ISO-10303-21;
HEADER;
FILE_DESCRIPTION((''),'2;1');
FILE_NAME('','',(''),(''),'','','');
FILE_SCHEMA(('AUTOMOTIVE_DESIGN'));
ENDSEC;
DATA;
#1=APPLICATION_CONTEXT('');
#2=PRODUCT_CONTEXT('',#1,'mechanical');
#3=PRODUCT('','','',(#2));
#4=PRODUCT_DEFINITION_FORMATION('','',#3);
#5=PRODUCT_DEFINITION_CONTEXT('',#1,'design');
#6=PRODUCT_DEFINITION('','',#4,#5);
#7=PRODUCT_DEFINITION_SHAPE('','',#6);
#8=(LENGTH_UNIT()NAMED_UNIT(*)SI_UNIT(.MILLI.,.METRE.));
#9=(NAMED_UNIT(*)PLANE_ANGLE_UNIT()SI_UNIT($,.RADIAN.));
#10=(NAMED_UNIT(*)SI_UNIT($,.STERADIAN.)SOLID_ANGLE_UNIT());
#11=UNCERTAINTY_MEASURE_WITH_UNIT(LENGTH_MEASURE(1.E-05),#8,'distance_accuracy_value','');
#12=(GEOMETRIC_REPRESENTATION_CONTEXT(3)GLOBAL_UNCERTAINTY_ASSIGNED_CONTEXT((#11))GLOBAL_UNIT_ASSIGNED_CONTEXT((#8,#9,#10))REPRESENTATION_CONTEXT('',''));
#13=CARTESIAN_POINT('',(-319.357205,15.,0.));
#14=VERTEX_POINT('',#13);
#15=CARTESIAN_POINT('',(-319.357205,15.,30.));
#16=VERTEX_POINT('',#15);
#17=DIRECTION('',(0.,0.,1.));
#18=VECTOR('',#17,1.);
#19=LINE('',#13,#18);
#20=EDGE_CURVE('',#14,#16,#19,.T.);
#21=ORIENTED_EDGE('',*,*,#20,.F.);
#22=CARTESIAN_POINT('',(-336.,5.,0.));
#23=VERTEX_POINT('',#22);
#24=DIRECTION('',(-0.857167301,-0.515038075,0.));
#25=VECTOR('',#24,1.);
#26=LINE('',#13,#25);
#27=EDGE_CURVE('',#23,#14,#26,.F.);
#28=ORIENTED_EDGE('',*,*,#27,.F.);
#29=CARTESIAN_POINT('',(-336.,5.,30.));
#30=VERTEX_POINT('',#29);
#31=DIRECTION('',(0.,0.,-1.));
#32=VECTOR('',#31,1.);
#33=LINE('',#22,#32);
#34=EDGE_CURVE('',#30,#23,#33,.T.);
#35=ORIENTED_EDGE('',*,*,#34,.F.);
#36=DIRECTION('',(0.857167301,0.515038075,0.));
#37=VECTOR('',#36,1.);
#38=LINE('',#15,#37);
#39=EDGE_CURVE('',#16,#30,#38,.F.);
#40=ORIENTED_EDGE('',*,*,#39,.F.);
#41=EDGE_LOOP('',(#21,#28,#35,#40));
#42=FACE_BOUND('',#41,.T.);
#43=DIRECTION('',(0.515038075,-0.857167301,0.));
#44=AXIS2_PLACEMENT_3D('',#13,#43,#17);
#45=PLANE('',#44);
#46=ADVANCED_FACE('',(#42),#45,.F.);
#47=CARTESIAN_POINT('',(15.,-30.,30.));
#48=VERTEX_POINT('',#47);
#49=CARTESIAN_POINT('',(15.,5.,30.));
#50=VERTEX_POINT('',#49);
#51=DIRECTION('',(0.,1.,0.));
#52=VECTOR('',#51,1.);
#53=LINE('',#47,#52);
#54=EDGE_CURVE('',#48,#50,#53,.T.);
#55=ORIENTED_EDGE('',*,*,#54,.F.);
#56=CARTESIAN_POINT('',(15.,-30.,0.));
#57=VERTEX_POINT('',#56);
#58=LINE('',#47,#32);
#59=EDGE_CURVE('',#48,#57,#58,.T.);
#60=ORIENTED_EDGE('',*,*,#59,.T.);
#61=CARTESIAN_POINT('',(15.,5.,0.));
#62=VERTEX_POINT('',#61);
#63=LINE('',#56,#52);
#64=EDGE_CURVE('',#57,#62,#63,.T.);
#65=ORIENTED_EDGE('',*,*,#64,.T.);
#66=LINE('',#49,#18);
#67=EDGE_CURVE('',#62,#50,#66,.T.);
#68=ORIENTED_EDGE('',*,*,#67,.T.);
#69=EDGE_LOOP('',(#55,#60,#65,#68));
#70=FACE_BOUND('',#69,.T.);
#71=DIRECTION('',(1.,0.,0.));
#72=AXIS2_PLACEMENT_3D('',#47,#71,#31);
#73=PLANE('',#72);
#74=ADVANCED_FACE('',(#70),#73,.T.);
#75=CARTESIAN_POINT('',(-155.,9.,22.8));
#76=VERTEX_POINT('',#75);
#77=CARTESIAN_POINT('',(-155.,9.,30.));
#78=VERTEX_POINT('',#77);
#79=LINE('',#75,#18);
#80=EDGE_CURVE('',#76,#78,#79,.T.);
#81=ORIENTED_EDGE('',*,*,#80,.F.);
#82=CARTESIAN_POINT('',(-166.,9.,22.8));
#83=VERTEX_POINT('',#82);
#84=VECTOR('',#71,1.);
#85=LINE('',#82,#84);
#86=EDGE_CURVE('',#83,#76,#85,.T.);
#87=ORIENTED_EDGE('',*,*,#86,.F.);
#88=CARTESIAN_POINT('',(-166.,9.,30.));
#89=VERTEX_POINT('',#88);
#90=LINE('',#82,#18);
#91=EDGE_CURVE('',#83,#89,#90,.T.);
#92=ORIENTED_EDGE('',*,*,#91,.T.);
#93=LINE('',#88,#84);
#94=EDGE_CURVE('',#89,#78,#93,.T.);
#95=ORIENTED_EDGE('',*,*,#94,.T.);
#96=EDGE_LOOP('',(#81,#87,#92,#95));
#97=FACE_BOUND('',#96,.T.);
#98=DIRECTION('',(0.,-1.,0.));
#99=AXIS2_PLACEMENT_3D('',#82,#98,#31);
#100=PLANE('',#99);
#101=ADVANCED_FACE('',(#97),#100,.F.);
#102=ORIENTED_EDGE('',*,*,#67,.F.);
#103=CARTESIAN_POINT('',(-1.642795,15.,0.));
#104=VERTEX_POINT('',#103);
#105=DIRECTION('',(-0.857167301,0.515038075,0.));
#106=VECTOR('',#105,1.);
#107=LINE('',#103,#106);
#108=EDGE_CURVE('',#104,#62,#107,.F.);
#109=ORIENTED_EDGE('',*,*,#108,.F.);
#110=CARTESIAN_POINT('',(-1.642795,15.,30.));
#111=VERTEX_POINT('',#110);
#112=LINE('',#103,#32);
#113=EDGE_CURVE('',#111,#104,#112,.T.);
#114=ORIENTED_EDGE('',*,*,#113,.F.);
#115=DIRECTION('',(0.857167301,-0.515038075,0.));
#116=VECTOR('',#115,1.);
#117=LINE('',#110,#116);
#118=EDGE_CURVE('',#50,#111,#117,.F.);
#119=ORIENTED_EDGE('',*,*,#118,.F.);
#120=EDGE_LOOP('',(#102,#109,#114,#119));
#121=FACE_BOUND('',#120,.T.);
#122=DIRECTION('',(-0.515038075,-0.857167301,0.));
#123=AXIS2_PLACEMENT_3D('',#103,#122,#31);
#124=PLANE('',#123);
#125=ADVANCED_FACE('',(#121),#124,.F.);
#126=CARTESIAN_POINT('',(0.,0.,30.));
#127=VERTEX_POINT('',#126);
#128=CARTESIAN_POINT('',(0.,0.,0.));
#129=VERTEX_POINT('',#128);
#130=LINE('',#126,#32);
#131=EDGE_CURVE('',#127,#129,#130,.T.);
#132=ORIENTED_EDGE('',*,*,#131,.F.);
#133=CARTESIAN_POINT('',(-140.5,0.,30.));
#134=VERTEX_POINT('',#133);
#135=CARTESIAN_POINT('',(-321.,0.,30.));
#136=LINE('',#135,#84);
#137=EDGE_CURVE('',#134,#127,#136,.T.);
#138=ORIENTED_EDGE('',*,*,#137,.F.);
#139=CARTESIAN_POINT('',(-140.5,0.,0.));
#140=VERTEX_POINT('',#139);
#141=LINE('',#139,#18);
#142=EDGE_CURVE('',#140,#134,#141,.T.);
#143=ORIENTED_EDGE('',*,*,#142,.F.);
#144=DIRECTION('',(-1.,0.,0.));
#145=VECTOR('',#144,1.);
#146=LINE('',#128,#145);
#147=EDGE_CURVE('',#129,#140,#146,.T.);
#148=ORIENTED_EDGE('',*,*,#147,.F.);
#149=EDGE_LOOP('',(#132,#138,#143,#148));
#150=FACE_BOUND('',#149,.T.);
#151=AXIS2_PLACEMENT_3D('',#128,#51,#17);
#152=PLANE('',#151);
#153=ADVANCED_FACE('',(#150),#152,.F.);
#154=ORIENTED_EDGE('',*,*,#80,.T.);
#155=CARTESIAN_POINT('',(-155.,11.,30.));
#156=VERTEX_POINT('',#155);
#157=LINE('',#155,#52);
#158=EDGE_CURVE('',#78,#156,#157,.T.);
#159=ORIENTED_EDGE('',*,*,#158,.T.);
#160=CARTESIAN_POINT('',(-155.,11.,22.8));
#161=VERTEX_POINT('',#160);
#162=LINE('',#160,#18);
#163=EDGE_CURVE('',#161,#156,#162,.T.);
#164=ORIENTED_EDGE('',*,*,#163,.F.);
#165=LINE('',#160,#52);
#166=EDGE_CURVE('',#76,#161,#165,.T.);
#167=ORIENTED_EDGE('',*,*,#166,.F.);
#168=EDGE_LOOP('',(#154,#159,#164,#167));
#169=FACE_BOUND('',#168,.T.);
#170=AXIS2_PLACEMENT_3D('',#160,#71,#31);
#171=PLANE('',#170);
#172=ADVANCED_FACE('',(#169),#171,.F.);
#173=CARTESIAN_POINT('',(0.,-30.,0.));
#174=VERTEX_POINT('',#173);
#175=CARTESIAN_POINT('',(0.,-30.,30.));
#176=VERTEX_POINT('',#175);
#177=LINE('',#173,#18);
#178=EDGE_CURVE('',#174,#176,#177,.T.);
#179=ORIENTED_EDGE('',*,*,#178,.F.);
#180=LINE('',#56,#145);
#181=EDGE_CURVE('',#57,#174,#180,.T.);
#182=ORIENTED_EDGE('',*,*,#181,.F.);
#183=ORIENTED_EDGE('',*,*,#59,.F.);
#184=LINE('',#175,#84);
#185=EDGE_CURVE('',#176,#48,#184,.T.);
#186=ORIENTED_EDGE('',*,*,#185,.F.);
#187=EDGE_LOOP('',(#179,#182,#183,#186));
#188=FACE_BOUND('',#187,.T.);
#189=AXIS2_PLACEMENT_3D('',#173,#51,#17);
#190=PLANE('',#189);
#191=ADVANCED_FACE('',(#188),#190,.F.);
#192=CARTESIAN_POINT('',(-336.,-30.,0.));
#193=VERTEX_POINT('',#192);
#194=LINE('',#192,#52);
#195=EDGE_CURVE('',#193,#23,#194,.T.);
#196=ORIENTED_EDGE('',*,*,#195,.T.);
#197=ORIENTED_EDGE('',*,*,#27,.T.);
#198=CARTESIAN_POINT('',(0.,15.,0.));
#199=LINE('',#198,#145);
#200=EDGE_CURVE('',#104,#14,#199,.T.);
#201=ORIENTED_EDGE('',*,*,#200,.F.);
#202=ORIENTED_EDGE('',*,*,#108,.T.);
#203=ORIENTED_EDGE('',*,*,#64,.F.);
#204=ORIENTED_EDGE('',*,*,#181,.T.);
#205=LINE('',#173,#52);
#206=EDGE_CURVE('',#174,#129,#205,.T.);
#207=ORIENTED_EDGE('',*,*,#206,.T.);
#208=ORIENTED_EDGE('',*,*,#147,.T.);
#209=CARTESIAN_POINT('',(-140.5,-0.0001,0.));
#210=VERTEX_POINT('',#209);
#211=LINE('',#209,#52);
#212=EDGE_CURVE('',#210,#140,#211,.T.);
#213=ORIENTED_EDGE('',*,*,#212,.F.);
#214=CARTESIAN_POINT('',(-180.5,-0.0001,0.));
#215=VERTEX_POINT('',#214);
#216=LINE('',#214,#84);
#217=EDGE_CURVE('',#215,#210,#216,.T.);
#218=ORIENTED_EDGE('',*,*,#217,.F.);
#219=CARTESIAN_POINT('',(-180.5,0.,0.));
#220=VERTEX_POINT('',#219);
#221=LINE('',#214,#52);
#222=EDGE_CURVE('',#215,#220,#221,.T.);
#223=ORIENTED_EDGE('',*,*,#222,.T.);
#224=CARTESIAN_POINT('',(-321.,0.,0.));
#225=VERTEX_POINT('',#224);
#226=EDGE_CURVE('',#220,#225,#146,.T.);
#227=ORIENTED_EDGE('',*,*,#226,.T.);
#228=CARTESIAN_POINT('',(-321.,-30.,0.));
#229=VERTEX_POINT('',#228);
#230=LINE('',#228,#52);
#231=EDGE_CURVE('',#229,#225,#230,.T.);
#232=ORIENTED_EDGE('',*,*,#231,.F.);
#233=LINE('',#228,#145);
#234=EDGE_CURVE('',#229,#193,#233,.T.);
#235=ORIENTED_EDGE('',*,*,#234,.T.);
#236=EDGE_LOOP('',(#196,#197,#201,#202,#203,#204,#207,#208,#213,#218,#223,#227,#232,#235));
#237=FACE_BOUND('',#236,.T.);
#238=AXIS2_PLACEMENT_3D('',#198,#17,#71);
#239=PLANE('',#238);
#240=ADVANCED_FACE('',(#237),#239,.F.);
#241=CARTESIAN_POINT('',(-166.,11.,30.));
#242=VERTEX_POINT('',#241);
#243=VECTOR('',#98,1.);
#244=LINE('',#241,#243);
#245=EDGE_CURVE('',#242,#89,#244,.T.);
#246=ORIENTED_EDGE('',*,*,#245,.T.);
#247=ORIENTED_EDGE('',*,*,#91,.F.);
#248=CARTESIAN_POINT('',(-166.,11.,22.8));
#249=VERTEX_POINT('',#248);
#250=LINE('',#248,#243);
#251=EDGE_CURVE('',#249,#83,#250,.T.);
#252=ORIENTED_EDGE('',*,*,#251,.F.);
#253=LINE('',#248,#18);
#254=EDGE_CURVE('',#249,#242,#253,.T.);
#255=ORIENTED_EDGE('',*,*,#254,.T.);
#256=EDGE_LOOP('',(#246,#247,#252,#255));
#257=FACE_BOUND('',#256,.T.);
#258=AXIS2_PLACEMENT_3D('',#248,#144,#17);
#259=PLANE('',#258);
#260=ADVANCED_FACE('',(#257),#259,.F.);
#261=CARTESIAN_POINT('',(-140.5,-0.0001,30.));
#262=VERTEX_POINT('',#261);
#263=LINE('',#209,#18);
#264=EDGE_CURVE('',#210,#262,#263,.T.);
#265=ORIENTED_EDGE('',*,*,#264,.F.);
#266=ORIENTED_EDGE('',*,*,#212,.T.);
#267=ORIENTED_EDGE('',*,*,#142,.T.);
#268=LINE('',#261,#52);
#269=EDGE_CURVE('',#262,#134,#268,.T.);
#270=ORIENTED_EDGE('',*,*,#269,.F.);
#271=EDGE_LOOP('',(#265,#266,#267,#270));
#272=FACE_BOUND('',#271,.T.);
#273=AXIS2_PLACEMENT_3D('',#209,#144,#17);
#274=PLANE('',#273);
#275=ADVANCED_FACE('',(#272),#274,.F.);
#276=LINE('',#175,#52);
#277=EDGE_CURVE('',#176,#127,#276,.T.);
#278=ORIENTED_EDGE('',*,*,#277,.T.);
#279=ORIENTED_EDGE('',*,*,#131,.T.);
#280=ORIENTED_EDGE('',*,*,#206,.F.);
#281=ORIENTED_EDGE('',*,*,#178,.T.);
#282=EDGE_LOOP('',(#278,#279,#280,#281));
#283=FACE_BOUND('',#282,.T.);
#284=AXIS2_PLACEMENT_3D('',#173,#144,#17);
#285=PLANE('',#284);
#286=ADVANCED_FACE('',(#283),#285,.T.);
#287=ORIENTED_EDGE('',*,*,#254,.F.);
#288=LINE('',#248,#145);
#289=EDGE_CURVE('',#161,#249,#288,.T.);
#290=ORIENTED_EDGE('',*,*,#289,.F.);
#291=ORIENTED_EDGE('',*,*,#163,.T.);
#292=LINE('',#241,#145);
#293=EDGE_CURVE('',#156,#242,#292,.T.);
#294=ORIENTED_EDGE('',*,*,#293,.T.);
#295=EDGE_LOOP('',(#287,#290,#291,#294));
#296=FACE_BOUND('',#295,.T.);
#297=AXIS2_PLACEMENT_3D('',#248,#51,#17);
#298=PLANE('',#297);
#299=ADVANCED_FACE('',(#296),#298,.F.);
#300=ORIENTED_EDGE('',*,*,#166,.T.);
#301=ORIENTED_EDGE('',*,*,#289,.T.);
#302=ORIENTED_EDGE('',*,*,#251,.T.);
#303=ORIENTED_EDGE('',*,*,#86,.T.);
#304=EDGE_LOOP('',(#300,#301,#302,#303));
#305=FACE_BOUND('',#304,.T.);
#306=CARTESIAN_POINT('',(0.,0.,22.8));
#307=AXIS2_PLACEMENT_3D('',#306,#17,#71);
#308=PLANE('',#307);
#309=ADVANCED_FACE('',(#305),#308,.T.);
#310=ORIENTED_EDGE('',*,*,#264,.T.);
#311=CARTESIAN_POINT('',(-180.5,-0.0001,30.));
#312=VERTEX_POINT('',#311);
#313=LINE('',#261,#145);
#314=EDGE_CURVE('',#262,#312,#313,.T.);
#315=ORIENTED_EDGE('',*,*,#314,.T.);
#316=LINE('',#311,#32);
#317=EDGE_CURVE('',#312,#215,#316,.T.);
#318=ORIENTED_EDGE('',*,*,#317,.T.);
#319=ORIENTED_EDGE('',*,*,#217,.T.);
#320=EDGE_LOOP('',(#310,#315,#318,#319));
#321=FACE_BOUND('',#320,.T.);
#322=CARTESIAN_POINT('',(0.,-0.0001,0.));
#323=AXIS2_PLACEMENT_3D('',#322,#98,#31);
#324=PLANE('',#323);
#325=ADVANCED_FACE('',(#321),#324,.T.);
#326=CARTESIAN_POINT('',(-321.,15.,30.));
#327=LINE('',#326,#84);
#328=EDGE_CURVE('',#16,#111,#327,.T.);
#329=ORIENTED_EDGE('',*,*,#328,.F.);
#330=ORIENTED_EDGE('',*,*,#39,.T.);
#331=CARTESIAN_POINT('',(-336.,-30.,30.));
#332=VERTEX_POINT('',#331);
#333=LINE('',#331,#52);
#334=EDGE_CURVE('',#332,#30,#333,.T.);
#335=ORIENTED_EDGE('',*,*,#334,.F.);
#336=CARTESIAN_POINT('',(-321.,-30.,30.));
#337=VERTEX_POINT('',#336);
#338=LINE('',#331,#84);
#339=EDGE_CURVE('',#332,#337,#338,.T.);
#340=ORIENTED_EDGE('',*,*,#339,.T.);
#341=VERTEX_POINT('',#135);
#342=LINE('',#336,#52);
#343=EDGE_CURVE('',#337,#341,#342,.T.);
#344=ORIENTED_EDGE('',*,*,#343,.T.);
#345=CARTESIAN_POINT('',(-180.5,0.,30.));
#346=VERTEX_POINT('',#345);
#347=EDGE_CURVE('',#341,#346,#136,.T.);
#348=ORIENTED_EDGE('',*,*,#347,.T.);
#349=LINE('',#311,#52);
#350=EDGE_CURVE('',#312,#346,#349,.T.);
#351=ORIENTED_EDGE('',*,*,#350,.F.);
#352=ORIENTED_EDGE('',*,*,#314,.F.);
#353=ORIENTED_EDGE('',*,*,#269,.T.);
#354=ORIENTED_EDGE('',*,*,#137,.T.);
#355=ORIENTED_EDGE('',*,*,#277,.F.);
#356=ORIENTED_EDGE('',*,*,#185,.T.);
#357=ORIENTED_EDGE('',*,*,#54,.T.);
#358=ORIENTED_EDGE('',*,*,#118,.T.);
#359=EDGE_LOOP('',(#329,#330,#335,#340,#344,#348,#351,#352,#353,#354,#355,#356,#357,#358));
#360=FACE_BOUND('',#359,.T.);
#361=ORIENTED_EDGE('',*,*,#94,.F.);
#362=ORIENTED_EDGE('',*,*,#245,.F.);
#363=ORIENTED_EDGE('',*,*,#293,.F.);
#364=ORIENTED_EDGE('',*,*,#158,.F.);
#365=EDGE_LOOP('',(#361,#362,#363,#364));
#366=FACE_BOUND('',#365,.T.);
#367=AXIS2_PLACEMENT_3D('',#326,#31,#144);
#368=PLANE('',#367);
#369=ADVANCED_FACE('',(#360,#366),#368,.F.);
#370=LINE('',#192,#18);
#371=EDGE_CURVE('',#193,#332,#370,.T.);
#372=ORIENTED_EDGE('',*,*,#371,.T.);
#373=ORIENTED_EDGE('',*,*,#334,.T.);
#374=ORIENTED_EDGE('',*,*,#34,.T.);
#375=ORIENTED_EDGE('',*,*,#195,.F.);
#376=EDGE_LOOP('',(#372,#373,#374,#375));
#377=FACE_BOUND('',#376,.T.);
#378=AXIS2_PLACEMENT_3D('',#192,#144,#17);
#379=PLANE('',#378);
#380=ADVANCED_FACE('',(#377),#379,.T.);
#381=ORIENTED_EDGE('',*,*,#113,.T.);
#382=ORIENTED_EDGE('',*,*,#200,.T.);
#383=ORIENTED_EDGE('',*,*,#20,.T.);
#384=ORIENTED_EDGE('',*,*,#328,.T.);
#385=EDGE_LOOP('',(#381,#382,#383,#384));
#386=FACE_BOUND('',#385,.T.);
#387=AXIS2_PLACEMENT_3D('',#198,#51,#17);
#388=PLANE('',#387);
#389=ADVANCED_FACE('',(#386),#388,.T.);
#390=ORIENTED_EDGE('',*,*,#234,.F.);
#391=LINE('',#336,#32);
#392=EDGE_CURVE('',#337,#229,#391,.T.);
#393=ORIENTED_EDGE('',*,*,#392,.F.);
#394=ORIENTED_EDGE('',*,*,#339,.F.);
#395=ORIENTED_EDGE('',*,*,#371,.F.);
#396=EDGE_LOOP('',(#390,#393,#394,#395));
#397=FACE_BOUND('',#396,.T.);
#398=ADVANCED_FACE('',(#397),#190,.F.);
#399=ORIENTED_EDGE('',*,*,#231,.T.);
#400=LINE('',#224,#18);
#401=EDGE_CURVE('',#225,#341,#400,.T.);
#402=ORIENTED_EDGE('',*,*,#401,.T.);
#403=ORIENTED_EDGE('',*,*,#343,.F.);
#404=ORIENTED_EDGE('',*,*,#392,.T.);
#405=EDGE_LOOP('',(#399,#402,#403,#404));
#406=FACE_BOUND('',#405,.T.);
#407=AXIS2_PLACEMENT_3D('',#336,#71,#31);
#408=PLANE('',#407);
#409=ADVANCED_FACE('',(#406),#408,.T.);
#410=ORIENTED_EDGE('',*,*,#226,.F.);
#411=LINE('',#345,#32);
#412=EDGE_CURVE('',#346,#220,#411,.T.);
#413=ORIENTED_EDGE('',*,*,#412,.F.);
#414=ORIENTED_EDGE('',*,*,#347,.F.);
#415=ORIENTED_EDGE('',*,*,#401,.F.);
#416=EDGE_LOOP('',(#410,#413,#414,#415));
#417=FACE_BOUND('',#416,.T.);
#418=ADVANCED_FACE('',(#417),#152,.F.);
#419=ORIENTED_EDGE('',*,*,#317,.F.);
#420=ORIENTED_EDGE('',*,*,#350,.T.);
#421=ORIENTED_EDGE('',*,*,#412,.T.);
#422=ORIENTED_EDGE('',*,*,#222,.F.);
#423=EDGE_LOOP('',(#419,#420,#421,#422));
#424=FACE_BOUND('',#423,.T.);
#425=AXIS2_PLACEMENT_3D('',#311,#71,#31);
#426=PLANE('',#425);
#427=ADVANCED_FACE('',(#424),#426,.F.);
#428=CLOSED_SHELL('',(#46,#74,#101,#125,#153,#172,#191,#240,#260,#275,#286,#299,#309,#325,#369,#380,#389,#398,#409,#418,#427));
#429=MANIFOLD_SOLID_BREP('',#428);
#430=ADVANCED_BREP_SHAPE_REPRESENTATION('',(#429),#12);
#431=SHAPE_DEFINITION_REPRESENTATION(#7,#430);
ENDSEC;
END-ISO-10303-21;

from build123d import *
from OCP.BRepFilletAPI import BRepFilletAPI_MakeChamfer

# Parameters (mm, degrees)
SKETCH1_W           = 321
SKETCH1_H           = 30
BOSS_EXTRUDE1_DEPTH = 15
SKETCH2_W           = 15
SKETCH2_H           = 30
BOSS_EXTRUDE2_DEPTH = 45
SKETCH3_W           = 40
SKETCH3_H           = 30
BOSS_EXTRUDE3_DEPTH = 0.0001
SKETCH4_W           = 11
SKETCH4_H           = 2
CUT_EXTRUDE1_DEPTH  = 7.2
CHAMFER1_SIZE       = 10
CHAMFER1_SIZE2      = 16.642794824


with BuildPart() as part:
    # Sketch1 → Boss-Extrude1 (new body)
    with BuildSketch(Plane(origin=(0, 0, 0), x_dir=(1, 0, 0), z_dir=(0, 1, 0))):
        with Locations((-160.5, -15)):
            Rectangle(SKETCH1_W, SKETCH1_H)
    extrude(amount=BOSS_EXTRUDE1_DEPTH)

    # Sketch2 → Boss-Extrude2 (add)
    with BuildSketch(Plane(origin=(0, 15, 0), x_dir=(1, 0, 0), z_dir=(0, 1, 0))):
        with Locations((-328.5, -15)):
            Rectangle(SKETCH2_W, SKETCH2_H)
        with Locations((7.5, -15)):
            Rectangle(SKETCH2_W, SKETCH2_H)
    extrude(amount=-BOSS_EXTRUDE2_DEPTH)

    # Sketch3 → Boss-Extrude3 (add)
    with BuildSketch(Plane.XZ):
        with Locations((-160.5, 15)):
            Rectangle(SKETCH3_W, SKETCH3_H)
    extrude(amount=BOSS_EXTRUDE3_DEPTH)

    # Sketch4 → Cut-Extrude1 (cut)
    with BuildSketch(Plane.XY.offset(30)):
        with Locations((-160.5, 10)):
            Rectangle(SKETCH4_W, SKETCH4_H)
    extrude(amount=-CUT_EXTRUDE1_DEPTH, mode=Mode.SUBTRACT)

    # Chamfer1: one chamfer whose edges measure the first distance from different faces: ONE call of the kernel's chamfer builder (chamfer() names one face for all edges)
    chamfer1_edges_1 = [part.edges().sort_by_distance(p)[0] for p in [
        (-336, 15, 15),
    ]]
    chamfer1_side_1 = [part.faces().sort_by_distance(p)[0] for p in [
        (-336, -7.5, 15),
    ]]
    chamfer1_edges_2 = [part.edges().sort_by_distance(p)[0] for p in [
        (15, 15, 15),
    ]]
    chamfer1_side_2 = [part.faces().sort_by_distance(p)[0] for p in [
        (15, -7.5, 15),
    ]]
    chamfer1 = BRepFilletAPI_MakeChamfer(part.part.solid().wrapped)
    for e in chamfer1_edges_1:
        chamfer1.Add(CHAMFER1_SIZE, CHAMFER1_SIZE2, e.wrapped, chamfer1_side_1[0].wrapped)  # the first distance lies on this face
    for e in chamfer1_edges_2:
        chamfer1.Add(CHAMFER1_SIZE, CHAMFER1_SIZE2, e.wrapped, chamfer1_side_2[0].wrapped)  # the first distance lies on this face
    add(Compound.cast(chamfer1.Shape()), mode=Mode.REPLACE)


solid = part.part
